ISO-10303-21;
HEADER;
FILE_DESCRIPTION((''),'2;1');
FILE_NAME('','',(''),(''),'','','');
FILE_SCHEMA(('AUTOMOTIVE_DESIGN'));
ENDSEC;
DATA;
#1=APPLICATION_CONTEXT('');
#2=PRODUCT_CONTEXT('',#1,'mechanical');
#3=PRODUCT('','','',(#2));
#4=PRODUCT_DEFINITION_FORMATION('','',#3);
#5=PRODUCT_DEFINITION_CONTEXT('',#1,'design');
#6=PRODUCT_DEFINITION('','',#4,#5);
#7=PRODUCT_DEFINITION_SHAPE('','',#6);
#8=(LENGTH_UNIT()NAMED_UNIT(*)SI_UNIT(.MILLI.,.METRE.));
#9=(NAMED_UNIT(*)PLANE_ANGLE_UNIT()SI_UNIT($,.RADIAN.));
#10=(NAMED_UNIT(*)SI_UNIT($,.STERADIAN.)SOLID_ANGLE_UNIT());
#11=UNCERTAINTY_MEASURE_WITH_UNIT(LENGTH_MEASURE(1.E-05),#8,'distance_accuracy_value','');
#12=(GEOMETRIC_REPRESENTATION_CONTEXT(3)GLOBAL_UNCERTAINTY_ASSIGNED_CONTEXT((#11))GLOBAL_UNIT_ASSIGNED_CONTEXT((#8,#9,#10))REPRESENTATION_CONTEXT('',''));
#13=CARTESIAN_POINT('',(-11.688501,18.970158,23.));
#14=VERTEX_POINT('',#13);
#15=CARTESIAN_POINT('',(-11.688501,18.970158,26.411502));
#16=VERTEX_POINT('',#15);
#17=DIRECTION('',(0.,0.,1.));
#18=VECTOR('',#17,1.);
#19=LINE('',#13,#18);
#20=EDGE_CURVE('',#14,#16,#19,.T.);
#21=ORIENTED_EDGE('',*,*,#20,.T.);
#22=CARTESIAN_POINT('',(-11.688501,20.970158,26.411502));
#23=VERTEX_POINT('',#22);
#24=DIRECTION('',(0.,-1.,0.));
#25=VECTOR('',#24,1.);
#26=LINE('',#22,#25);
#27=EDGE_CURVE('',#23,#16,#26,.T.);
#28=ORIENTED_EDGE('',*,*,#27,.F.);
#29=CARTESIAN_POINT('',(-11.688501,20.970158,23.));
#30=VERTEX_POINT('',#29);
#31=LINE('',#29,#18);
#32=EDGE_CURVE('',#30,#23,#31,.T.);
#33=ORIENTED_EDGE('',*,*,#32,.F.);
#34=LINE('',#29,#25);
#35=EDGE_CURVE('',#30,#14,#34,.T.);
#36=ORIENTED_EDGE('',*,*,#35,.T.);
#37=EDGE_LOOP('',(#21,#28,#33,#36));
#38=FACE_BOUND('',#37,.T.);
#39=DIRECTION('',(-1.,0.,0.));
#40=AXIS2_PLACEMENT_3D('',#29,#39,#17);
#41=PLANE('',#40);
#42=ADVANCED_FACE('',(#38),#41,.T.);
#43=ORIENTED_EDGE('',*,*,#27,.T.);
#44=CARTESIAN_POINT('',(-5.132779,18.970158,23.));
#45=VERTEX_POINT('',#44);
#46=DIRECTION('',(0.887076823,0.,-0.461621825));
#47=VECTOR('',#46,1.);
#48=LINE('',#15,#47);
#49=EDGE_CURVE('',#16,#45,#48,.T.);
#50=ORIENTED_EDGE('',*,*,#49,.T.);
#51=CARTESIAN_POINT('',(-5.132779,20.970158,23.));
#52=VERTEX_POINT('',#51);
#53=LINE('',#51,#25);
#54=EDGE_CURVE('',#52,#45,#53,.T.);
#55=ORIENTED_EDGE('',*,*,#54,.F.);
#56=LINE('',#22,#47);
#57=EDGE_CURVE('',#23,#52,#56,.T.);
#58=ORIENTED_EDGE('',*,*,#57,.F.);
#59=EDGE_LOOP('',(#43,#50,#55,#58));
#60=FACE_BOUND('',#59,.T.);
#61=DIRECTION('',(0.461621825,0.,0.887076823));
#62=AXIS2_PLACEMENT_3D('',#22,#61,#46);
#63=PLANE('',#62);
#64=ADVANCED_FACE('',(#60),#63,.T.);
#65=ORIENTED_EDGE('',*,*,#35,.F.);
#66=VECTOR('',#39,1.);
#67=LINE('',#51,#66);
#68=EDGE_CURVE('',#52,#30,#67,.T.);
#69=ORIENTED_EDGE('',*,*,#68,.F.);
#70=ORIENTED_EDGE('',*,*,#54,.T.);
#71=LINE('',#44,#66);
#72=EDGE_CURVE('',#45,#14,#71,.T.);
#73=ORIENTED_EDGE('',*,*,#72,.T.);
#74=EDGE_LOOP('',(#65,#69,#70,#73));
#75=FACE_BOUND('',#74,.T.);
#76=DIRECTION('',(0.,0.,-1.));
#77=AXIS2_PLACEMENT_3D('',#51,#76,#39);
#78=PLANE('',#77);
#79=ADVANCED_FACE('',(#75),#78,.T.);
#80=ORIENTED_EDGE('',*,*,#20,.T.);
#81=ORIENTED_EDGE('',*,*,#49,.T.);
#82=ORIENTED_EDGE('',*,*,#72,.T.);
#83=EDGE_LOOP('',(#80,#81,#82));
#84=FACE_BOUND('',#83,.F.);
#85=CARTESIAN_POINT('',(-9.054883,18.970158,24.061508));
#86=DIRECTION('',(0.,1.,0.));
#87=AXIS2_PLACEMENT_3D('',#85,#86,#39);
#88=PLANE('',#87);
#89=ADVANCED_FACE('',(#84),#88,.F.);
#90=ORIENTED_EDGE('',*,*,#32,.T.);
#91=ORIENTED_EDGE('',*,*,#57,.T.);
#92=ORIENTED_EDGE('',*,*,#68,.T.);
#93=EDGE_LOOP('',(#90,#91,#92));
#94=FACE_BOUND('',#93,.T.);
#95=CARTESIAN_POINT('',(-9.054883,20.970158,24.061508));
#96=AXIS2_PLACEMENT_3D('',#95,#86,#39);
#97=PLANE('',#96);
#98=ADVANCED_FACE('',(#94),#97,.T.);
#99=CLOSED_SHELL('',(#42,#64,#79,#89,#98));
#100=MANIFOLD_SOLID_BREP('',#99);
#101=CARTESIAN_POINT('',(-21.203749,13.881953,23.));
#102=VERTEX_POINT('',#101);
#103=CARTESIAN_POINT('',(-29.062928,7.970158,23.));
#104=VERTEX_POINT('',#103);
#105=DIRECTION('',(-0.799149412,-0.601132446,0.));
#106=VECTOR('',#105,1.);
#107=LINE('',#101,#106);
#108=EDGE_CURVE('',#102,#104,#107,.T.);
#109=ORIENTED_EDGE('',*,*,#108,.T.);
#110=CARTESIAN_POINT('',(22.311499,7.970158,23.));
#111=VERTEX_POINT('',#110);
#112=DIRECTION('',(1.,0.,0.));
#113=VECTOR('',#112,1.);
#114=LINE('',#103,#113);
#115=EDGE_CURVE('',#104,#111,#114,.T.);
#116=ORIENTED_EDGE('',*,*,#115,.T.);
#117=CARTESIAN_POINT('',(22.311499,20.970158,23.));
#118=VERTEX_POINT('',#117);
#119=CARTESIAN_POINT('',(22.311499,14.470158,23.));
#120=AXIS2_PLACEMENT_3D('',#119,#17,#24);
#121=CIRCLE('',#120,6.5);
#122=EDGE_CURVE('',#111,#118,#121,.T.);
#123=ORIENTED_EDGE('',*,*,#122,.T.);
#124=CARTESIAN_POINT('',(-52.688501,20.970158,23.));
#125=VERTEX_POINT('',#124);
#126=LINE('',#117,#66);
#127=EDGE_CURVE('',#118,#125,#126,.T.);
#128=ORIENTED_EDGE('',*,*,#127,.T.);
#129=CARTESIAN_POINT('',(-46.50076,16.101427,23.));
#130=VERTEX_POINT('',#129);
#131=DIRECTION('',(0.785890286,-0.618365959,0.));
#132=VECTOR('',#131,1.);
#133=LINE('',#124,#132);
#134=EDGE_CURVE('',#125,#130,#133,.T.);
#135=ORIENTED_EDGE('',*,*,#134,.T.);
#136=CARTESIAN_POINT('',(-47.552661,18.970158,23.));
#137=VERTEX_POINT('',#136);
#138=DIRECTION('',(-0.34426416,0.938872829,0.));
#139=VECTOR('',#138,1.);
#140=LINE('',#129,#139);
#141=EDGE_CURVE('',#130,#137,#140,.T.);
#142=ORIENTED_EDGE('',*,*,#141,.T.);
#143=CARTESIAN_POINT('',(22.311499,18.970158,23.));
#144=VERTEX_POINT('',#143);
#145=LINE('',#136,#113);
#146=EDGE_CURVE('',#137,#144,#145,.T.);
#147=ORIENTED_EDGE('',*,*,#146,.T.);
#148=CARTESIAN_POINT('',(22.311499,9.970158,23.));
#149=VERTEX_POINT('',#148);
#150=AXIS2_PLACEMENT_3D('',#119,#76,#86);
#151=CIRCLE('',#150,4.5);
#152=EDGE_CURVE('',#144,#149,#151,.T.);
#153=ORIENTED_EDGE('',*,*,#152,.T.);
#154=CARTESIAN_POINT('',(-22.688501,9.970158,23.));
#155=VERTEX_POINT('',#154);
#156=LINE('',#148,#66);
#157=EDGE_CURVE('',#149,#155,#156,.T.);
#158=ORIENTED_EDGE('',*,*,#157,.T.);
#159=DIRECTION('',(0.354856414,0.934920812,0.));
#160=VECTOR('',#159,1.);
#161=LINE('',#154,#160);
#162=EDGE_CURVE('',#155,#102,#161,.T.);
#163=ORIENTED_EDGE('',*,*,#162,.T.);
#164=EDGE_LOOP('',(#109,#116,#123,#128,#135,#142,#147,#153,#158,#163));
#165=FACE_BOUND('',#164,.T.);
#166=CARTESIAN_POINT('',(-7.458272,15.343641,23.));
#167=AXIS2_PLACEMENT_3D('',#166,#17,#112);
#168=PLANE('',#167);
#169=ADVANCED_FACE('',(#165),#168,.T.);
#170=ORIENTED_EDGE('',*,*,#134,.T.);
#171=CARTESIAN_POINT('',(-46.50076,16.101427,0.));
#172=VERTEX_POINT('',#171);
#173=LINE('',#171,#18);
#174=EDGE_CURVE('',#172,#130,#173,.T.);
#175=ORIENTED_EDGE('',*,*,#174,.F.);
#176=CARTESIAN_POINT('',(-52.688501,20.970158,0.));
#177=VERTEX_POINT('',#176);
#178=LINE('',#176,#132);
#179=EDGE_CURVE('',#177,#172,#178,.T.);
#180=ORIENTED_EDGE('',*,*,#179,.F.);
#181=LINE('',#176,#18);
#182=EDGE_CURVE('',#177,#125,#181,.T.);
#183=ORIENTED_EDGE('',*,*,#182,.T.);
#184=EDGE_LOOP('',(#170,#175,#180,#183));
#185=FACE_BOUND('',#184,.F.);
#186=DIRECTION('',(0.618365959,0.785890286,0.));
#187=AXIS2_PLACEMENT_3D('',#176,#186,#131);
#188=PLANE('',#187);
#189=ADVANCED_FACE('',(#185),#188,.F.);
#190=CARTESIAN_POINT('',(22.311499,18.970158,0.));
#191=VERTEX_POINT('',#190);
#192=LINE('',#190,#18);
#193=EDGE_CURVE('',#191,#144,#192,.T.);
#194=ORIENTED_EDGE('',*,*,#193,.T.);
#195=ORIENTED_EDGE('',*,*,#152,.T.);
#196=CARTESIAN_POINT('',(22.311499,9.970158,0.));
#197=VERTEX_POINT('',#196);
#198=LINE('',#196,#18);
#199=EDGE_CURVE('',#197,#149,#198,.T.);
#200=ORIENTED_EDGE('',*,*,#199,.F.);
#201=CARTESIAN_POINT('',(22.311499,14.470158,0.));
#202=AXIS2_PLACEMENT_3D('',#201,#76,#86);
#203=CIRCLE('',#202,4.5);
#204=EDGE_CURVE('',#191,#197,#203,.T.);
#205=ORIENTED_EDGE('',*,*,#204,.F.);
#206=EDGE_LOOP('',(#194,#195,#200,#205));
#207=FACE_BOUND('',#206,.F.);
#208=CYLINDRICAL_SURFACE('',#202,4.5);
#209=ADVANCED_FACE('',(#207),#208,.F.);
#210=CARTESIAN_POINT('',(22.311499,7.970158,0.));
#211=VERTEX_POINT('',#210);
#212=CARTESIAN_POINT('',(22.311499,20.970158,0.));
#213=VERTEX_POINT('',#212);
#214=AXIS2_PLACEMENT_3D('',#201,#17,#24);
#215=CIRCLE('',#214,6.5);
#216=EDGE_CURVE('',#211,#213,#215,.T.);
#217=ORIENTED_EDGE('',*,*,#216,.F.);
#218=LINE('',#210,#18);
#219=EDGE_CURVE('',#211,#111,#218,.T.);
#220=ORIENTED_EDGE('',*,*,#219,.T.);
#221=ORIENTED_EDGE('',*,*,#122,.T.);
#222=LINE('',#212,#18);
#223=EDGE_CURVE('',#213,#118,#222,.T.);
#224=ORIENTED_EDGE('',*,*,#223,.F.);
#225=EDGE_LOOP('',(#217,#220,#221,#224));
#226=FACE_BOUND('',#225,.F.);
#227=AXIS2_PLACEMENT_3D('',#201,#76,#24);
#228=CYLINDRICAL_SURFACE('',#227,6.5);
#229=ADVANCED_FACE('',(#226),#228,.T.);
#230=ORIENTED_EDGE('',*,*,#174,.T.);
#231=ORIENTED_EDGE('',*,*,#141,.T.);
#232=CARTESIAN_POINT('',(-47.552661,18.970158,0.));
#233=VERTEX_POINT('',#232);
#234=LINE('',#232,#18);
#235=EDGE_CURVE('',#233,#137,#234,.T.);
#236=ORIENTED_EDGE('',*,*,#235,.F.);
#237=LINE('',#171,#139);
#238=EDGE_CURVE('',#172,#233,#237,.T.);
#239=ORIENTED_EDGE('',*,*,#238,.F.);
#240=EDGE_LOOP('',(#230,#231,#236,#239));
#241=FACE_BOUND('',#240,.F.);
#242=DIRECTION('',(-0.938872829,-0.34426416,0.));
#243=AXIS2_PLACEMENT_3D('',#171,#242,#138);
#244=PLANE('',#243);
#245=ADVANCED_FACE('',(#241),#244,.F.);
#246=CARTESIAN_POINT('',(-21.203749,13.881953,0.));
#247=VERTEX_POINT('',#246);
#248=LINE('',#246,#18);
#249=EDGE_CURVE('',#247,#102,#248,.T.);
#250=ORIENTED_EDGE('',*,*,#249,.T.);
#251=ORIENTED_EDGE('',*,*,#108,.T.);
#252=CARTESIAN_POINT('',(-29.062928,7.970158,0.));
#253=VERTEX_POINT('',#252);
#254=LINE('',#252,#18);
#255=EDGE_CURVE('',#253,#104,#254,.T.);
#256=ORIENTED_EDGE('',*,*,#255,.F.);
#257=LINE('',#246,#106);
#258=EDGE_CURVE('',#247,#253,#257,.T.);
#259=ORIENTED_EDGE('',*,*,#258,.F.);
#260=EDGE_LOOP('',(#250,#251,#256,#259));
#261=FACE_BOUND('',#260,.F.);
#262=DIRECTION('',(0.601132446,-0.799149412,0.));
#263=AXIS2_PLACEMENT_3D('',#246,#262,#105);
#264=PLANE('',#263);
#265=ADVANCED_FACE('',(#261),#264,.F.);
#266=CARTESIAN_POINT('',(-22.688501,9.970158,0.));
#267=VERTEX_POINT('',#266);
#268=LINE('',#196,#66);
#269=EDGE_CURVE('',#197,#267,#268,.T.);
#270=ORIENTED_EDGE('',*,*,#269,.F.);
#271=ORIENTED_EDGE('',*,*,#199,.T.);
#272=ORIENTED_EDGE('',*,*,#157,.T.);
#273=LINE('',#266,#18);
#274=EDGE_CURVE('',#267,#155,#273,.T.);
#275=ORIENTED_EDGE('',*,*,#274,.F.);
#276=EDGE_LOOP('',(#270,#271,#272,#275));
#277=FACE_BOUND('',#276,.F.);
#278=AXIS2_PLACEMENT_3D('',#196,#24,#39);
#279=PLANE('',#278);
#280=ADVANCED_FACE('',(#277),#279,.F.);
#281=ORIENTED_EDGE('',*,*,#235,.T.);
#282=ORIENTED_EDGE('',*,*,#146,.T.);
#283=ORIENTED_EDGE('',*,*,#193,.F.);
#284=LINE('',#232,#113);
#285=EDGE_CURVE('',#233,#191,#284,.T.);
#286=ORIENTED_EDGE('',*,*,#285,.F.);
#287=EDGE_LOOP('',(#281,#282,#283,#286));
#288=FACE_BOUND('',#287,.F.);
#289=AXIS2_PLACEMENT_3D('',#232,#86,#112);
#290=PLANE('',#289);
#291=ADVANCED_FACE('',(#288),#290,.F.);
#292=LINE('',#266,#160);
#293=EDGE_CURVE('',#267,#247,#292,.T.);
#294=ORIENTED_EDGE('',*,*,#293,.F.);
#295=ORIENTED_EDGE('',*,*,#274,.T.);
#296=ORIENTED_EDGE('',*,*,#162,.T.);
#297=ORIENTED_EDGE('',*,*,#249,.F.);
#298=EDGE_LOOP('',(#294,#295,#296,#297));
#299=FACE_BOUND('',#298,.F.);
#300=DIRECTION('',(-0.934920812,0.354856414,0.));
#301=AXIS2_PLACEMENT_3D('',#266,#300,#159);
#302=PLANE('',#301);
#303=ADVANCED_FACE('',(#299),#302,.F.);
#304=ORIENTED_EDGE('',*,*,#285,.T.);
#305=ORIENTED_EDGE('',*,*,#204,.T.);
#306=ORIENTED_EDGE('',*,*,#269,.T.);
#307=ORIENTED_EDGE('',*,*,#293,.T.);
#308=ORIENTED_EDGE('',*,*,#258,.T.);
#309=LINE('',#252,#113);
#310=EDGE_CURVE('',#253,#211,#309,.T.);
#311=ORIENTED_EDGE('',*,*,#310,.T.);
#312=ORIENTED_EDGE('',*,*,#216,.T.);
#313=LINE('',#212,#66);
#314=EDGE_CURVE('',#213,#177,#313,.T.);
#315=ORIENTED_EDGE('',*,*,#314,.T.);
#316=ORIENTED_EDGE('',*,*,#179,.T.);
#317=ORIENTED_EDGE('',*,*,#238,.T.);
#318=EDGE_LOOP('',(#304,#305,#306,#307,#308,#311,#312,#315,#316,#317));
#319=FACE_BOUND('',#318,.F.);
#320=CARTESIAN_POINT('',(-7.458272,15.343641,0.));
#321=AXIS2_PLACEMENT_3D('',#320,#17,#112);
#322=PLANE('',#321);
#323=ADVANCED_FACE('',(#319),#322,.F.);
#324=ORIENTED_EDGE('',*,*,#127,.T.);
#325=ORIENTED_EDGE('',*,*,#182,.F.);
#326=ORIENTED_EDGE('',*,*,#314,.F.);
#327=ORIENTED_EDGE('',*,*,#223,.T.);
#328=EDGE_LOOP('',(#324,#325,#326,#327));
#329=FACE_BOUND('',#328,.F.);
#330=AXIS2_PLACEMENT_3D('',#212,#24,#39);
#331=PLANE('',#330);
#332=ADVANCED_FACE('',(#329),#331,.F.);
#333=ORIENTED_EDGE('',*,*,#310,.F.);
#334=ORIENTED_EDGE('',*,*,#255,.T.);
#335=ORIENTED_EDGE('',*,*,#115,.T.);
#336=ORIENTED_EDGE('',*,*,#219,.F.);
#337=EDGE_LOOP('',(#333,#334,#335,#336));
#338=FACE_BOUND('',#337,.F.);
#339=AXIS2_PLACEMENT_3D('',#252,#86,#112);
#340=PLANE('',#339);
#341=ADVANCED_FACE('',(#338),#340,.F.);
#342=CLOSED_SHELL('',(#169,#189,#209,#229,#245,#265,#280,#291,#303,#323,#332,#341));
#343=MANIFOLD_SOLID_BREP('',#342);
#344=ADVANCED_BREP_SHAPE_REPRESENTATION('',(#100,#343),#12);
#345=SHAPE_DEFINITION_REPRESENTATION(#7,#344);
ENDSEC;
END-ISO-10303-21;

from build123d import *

# Parameters (mm, degrees)
F1_DEPTH = 23
F3_DEPTH = 2


with BuildPart() as f1:
    # F0 (on Top) → F1 (new body)
    with BuildSketch(Plane.XY):
        with BuildLine():
            Line((-46.50076, 16.101427), (-47.552661, 18.970158))
            Line((-47.552661, 18.970158), (22.311499, 18.970158))
            ThreePointArc((22.311499, 18.970158), (26.811499, 14.470158), (22.311499, 9.970158))
            Line((22.311499, 9.970158), (-22.688501, 9.970158))
            Line((-22.688501, 9.970158), (-21.203749, 13.881953))
            Line((-21.203749, 13.881953), (-29.062928, 7.970158))
            Line((-29.062928, 7.970158), (22.311499, 7.970158))
            ThreePointArc((22.311499, 7.970158), (28.811499, 14.470158), (22.311499, 20.970158))
            Line((22.311499, 20.970158), (-52.688501, 20.970158))
            Line((-52.688501, 20.970158), (-46.50076, 16.101427))
        make_face()
    extrude(amount=F1_DEPTH)


with BuildPart() as f3:
    # F2 (on face) → F3 (new body)
    with BuildSketch(Plane(origin=(0, 20.970158, 0), x_dir=(-1, 0, 0), z_dir=(0, 1, 0))):
        Polygon((5.132779, 23), (11.688501, 23), (11.688501, 26.411502), align=None)
    extrude(amount=-F3_DEPTH)


solid = Compound([f1.part, f3.part])
